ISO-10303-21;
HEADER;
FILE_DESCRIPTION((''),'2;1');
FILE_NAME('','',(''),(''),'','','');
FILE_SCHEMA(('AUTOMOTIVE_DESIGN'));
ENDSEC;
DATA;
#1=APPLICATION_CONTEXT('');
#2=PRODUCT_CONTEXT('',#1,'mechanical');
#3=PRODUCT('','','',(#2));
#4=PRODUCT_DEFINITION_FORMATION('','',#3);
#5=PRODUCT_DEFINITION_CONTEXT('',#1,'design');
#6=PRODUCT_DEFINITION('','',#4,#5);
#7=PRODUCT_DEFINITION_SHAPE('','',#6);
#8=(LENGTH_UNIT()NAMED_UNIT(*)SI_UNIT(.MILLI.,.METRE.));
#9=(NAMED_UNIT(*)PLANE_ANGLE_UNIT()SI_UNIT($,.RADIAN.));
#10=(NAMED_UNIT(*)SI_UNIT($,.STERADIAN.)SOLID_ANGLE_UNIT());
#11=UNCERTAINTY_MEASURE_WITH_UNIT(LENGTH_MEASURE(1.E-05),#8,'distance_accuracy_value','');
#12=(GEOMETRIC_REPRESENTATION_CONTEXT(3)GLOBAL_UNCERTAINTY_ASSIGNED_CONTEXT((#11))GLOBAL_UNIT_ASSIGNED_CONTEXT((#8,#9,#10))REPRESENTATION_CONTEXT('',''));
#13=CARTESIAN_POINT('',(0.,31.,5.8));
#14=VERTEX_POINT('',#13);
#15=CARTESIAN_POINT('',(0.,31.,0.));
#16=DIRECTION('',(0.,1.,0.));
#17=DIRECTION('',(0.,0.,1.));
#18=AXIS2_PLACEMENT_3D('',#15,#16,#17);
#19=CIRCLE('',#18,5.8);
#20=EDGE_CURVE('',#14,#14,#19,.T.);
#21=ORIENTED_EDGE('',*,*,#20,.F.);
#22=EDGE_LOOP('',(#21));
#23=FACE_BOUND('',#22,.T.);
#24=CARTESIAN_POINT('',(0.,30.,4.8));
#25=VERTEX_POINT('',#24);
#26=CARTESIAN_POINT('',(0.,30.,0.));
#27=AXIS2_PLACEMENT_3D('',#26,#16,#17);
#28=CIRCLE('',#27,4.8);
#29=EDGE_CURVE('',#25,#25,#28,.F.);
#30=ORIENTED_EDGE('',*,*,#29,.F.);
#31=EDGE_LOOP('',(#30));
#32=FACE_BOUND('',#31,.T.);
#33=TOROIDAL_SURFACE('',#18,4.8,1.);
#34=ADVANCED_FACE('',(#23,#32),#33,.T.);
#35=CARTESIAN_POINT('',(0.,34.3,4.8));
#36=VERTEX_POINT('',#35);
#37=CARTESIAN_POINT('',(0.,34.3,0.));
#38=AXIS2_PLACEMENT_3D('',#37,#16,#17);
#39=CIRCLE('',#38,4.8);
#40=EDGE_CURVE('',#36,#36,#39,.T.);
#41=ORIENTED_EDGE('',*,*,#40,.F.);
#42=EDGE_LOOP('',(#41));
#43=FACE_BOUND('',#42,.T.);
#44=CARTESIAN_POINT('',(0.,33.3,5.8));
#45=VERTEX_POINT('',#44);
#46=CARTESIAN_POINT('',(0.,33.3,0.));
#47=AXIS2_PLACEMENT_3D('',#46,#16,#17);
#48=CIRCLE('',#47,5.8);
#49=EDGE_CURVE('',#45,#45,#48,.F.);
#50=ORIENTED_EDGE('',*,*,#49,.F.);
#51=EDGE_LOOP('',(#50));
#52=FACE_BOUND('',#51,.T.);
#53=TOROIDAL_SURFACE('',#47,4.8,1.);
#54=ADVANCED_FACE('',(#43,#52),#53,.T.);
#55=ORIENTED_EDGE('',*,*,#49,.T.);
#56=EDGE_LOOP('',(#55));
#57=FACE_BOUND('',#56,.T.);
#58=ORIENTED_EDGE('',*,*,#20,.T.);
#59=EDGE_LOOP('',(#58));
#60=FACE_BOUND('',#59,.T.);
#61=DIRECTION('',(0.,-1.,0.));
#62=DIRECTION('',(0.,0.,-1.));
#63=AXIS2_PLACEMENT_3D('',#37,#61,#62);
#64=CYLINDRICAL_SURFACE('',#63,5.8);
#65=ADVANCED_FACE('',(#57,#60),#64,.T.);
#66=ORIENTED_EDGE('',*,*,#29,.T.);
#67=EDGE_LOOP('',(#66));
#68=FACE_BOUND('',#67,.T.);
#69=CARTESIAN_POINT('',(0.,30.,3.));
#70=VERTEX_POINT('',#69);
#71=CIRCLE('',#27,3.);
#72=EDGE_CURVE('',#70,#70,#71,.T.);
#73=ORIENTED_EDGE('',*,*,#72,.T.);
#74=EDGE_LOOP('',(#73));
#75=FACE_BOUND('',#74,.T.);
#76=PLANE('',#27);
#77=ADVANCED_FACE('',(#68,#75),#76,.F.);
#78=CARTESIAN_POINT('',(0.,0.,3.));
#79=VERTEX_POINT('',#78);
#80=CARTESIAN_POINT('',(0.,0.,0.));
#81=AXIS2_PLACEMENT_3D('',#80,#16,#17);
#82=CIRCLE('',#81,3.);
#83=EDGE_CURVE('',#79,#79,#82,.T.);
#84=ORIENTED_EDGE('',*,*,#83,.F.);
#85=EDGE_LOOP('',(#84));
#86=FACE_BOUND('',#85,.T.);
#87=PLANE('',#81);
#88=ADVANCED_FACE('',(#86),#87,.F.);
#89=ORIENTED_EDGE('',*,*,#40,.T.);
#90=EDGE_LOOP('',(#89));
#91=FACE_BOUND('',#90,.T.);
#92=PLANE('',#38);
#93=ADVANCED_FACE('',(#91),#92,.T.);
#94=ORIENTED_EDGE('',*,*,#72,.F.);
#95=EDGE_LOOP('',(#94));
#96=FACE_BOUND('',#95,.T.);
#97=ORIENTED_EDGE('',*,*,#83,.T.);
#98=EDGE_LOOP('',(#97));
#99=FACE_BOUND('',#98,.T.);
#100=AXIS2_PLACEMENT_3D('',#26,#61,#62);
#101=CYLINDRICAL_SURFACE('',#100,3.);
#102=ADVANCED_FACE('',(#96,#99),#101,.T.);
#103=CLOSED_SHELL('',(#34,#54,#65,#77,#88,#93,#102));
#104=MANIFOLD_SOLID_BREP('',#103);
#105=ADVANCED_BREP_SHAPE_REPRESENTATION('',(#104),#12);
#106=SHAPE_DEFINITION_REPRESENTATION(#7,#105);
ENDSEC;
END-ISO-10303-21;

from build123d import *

# Parameters (mm, degrees)
SKETCH1_R           = 3
BOSS_EXTRUDE1_DEPTH = 30
SKETCH2_R           = 5.8
BOSS_EXTRUDE2_DEPTH = 4.3
FILLET1_R           = 1


with BuildPart() as part:
    # Sketch1 → Boss-Extrude1 (new body)
    with BuildSketch(Plane(origin=(0, 0, 0), x_dir=(1, 0, 0), z_dir=(0, 1, 0))):
        with Locations(Location((0, 0, 0), (0, 0, 270))):  # turned: the seam where the file's is
            Circle(SKETCH1_R)
    extrude(amount=BOSS_EXTRUDE1_DEPTH)

    # Sketch2 → Boss-Extrude2 (add)
    with BuildSketch(Plane(origin=(0, 30, 0), x_dir=(1, 0, 0), z_dir=(0, 1, 0))):
        with Locations(Location((0, 0, 0), (0, 0, 270))):  # turned: the seam where the file's is
            Circle(SKETCH2_R)
    extrude(amount=BOSS_EXTRUDE2_DEPTH)

    # Fillet1
    fillet1_edges = [part.edges().sort_by_distance(p)[0] for p in [
        (0, 30, -5.8),
        (0, 34.3, -5.8),
    ]]
    fillet(fillet1_edges, radius=FILLET1_R)


solid = part.part
